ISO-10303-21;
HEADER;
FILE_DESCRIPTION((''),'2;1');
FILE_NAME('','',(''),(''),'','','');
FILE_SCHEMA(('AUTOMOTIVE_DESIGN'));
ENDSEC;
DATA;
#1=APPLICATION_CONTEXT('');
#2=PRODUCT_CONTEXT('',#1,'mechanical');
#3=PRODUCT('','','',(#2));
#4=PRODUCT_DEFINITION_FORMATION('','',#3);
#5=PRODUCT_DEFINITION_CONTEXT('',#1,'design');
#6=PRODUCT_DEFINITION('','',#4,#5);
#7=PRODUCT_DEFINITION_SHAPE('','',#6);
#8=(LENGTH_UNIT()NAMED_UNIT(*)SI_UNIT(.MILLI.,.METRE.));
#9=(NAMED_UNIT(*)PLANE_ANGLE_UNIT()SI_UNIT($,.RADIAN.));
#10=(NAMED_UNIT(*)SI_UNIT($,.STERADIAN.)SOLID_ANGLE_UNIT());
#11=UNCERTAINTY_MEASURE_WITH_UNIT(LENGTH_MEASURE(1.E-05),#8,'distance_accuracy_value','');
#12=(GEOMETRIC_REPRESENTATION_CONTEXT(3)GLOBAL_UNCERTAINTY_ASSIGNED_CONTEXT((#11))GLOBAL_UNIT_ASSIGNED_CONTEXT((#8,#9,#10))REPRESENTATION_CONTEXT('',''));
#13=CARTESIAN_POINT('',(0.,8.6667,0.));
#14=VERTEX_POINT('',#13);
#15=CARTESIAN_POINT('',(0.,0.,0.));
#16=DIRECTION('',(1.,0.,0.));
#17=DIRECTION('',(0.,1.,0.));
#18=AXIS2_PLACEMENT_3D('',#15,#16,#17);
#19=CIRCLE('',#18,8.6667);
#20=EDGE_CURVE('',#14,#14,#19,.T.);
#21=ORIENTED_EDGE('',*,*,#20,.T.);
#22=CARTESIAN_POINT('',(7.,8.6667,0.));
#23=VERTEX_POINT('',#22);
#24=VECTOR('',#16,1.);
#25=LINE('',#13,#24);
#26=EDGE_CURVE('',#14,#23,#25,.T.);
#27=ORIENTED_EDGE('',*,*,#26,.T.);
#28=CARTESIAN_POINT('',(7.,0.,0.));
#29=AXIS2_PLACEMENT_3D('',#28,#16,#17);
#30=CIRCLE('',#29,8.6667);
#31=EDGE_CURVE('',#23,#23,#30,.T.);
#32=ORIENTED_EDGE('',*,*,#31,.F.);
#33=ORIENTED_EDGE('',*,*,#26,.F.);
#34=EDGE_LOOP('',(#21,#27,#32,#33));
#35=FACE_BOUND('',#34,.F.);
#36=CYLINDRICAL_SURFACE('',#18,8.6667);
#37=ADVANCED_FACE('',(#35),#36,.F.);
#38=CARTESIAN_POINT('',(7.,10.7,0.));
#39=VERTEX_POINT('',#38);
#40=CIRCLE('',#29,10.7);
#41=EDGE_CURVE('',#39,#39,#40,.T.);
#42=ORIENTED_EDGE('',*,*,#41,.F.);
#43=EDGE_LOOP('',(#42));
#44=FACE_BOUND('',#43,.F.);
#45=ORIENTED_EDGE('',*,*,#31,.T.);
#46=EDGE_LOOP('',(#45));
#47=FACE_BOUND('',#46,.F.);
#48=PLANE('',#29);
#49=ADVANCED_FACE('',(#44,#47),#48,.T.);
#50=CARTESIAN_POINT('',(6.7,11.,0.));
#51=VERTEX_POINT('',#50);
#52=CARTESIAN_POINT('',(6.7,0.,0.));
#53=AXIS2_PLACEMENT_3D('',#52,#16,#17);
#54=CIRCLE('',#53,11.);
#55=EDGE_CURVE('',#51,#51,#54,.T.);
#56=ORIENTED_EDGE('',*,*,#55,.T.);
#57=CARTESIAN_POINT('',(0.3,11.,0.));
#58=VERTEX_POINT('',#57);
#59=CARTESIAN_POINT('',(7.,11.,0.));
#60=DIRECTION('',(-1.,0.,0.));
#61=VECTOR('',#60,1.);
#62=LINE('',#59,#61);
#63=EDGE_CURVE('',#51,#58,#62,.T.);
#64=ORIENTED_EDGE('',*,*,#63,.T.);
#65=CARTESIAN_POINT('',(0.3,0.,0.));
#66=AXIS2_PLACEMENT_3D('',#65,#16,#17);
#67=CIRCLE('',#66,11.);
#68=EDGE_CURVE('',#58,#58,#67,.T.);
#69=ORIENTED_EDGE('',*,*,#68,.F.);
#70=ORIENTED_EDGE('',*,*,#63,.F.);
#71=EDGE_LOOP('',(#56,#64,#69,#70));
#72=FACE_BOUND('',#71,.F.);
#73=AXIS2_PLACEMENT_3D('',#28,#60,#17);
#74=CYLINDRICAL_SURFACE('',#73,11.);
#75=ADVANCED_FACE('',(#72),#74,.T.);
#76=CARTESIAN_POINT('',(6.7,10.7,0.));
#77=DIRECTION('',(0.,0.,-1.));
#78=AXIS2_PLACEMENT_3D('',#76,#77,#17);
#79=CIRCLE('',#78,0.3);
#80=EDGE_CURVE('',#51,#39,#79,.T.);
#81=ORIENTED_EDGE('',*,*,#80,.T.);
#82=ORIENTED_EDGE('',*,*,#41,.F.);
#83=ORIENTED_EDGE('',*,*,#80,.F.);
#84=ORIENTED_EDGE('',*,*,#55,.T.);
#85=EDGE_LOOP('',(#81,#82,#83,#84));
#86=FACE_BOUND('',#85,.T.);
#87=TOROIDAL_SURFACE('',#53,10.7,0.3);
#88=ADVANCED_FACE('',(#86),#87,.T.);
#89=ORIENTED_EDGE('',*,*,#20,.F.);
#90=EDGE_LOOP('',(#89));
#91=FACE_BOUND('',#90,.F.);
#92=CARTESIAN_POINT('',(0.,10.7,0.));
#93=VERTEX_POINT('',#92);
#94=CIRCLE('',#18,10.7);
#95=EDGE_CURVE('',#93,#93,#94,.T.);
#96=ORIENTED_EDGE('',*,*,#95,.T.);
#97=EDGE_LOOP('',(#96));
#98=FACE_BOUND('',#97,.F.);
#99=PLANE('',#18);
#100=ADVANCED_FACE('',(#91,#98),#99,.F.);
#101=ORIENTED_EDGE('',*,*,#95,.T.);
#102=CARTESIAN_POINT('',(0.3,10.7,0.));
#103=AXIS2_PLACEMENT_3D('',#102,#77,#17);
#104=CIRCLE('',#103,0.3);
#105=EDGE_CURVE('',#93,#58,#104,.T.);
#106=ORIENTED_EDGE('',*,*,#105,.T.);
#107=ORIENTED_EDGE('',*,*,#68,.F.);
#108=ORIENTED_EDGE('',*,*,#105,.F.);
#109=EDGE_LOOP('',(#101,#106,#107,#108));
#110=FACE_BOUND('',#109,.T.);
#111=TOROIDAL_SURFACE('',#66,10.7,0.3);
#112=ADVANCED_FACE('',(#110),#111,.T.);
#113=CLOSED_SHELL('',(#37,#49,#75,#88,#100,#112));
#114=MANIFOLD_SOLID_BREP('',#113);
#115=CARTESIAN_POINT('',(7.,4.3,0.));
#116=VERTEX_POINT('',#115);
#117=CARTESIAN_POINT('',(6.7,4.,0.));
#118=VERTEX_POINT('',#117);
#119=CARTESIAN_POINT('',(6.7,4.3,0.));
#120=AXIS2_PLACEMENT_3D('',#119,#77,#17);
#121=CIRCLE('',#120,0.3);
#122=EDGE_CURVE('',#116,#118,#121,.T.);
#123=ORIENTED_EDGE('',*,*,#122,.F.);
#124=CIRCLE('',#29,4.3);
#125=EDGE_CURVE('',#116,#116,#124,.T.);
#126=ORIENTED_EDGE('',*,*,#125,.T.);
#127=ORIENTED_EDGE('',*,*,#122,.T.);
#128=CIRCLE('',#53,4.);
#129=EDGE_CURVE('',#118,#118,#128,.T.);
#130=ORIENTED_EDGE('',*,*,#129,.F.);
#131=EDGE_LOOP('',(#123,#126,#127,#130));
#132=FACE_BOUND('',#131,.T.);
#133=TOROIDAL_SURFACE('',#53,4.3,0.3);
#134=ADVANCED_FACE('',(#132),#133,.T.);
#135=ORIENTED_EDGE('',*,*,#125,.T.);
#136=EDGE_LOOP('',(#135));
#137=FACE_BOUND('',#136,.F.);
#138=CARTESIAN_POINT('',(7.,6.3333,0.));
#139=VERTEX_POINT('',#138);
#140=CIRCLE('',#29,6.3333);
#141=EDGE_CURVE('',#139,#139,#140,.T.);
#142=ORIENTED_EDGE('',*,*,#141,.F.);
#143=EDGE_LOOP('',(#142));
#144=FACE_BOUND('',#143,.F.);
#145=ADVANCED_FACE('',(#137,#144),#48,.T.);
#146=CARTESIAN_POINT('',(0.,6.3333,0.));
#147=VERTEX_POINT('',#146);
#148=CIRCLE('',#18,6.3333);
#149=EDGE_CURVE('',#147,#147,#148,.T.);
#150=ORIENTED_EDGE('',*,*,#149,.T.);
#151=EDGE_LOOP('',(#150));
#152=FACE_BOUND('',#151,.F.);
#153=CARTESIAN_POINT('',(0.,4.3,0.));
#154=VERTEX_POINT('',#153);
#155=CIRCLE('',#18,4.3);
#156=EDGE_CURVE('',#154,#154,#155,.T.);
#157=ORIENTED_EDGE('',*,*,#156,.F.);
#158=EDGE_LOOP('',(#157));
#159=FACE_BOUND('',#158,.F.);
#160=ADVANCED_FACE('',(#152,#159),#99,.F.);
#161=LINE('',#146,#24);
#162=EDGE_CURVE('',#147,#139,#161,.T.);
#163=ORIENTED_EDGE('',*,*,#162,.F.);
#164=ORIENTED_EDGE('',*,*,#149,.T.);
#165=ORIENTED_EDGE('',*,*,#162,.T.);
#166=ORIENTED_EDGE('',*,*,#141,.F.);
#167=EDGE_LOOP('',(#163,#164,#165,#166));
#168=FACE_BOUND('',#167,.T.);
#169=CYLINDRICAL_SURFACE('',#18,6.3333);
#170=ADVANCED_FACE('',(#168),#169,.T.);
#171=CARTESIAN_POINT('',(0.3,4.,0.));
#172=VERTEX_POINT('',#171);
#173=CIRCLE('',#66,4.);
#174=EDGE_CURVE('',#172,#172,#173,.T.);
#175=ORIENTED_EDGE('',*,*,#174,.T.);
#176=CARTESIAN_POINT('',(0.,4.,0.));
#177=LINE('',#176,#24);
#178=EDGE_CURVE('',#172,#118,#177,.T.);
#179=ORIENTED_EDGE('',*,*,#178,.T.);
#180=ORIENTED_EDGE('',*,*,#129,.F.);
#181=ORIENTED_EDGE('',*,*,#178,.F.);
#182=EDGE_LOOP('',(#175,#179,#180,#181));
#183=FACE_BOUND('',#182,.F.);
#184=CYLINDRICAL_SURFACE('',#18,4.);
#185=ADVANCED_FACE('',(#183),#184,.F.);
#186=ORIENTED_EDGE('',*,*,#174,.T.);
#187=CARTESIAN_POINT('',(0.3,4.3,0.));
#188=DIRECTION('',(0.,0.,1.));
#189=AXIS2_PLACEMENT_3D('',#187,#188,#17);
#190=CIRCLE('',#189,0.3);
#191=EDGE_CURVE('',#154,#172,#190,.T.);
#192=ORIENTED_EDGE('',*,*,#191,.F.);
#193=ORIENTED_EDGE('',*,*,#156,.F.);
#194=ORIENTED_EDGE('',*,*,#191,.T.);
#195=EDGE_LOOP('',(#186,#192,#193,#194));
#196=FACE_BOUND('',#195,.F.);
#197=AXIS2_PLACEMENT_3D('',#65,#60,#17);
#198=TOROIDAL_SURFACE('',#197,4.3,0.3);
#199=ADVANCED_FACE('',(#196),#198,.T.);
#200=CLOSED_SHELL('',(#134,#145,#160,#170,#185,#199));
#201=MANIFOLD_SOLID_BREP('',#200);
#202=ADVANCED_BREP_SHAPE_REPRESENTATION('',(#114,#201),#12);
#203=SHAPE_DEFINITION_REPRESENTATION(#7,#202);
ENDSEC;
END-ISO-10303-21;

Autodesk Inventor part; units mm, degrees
ref_plane "YZ Plane" through (0, 0, 0) normal (1, 0, 0) x (0, 1, 0)
ref_plane "XZ Plane" through (0, 0, 0) normal (0, 1, 0) x (-1, 0, 0)
ref_plane "XY Plane" through (0, 0, 0) normal (0, 0, 1) x (1, 0, 0)
sketch "Sketch" plane through (0, 0, 0) normal (0, 0, 1) x (1, 0, 0)
  line L0 (0, 0) -> (7, 0)
  line L1 (0, 0) -> (0, 4) construction
  line L2 (0, 4) -> (7, 4)
  line L3 (7, 4) -> (7, 11)
  line L4 (7, 11) -> (0, 11)
  line L5 (0, 11) -> (0, 4)
  line L6 (0, 7.5) -> (7, 7.5)
  line L7 (0, 8.6667) -> (7, 8.6667)
  line L8 (0, 6.3333) -> (7, 6.3333)
  dimension "d0" = 7
  dimension "d1" = 8
  dimension "d2" = 12.6667
  dimension "d3" = 22
revolve "Body" add sketch "Sketch" angle 360 about axis through (0, 0, 0) along (1, 0, 0) contours L5 L8 L3 L2 | L5 L4 L3 L7
fillet "Fillet1" radius 0.3 4 edges at (0, -11, 0) (7, -11, 0) (0, -4, 0) (7, -4, 0)
equation "\"d0\" = KB"
equation "\"d1\" = WD"
equation "\"d2\" = 0.333333 * BD + 0.666667 * WD"
equation "\"d3\" = BD"
equation "\"d5\" = KRS"
equation "\"WD\" = 8"
equation "\"BD\" = 22"
equation "\"KB\" = 7"
equation "\"KRS\" = 0.3"
equation "\"BBA\" = 0"
equation "\"KR1S\" = 0.15"
equation "\"BR\" = 0.5 * BD"
equation "\"WR\" = 0.5 * WD"
properties part number "ISO 1224-1 - 10 - 8 x 22 x 7" material "Steel, Mild"
